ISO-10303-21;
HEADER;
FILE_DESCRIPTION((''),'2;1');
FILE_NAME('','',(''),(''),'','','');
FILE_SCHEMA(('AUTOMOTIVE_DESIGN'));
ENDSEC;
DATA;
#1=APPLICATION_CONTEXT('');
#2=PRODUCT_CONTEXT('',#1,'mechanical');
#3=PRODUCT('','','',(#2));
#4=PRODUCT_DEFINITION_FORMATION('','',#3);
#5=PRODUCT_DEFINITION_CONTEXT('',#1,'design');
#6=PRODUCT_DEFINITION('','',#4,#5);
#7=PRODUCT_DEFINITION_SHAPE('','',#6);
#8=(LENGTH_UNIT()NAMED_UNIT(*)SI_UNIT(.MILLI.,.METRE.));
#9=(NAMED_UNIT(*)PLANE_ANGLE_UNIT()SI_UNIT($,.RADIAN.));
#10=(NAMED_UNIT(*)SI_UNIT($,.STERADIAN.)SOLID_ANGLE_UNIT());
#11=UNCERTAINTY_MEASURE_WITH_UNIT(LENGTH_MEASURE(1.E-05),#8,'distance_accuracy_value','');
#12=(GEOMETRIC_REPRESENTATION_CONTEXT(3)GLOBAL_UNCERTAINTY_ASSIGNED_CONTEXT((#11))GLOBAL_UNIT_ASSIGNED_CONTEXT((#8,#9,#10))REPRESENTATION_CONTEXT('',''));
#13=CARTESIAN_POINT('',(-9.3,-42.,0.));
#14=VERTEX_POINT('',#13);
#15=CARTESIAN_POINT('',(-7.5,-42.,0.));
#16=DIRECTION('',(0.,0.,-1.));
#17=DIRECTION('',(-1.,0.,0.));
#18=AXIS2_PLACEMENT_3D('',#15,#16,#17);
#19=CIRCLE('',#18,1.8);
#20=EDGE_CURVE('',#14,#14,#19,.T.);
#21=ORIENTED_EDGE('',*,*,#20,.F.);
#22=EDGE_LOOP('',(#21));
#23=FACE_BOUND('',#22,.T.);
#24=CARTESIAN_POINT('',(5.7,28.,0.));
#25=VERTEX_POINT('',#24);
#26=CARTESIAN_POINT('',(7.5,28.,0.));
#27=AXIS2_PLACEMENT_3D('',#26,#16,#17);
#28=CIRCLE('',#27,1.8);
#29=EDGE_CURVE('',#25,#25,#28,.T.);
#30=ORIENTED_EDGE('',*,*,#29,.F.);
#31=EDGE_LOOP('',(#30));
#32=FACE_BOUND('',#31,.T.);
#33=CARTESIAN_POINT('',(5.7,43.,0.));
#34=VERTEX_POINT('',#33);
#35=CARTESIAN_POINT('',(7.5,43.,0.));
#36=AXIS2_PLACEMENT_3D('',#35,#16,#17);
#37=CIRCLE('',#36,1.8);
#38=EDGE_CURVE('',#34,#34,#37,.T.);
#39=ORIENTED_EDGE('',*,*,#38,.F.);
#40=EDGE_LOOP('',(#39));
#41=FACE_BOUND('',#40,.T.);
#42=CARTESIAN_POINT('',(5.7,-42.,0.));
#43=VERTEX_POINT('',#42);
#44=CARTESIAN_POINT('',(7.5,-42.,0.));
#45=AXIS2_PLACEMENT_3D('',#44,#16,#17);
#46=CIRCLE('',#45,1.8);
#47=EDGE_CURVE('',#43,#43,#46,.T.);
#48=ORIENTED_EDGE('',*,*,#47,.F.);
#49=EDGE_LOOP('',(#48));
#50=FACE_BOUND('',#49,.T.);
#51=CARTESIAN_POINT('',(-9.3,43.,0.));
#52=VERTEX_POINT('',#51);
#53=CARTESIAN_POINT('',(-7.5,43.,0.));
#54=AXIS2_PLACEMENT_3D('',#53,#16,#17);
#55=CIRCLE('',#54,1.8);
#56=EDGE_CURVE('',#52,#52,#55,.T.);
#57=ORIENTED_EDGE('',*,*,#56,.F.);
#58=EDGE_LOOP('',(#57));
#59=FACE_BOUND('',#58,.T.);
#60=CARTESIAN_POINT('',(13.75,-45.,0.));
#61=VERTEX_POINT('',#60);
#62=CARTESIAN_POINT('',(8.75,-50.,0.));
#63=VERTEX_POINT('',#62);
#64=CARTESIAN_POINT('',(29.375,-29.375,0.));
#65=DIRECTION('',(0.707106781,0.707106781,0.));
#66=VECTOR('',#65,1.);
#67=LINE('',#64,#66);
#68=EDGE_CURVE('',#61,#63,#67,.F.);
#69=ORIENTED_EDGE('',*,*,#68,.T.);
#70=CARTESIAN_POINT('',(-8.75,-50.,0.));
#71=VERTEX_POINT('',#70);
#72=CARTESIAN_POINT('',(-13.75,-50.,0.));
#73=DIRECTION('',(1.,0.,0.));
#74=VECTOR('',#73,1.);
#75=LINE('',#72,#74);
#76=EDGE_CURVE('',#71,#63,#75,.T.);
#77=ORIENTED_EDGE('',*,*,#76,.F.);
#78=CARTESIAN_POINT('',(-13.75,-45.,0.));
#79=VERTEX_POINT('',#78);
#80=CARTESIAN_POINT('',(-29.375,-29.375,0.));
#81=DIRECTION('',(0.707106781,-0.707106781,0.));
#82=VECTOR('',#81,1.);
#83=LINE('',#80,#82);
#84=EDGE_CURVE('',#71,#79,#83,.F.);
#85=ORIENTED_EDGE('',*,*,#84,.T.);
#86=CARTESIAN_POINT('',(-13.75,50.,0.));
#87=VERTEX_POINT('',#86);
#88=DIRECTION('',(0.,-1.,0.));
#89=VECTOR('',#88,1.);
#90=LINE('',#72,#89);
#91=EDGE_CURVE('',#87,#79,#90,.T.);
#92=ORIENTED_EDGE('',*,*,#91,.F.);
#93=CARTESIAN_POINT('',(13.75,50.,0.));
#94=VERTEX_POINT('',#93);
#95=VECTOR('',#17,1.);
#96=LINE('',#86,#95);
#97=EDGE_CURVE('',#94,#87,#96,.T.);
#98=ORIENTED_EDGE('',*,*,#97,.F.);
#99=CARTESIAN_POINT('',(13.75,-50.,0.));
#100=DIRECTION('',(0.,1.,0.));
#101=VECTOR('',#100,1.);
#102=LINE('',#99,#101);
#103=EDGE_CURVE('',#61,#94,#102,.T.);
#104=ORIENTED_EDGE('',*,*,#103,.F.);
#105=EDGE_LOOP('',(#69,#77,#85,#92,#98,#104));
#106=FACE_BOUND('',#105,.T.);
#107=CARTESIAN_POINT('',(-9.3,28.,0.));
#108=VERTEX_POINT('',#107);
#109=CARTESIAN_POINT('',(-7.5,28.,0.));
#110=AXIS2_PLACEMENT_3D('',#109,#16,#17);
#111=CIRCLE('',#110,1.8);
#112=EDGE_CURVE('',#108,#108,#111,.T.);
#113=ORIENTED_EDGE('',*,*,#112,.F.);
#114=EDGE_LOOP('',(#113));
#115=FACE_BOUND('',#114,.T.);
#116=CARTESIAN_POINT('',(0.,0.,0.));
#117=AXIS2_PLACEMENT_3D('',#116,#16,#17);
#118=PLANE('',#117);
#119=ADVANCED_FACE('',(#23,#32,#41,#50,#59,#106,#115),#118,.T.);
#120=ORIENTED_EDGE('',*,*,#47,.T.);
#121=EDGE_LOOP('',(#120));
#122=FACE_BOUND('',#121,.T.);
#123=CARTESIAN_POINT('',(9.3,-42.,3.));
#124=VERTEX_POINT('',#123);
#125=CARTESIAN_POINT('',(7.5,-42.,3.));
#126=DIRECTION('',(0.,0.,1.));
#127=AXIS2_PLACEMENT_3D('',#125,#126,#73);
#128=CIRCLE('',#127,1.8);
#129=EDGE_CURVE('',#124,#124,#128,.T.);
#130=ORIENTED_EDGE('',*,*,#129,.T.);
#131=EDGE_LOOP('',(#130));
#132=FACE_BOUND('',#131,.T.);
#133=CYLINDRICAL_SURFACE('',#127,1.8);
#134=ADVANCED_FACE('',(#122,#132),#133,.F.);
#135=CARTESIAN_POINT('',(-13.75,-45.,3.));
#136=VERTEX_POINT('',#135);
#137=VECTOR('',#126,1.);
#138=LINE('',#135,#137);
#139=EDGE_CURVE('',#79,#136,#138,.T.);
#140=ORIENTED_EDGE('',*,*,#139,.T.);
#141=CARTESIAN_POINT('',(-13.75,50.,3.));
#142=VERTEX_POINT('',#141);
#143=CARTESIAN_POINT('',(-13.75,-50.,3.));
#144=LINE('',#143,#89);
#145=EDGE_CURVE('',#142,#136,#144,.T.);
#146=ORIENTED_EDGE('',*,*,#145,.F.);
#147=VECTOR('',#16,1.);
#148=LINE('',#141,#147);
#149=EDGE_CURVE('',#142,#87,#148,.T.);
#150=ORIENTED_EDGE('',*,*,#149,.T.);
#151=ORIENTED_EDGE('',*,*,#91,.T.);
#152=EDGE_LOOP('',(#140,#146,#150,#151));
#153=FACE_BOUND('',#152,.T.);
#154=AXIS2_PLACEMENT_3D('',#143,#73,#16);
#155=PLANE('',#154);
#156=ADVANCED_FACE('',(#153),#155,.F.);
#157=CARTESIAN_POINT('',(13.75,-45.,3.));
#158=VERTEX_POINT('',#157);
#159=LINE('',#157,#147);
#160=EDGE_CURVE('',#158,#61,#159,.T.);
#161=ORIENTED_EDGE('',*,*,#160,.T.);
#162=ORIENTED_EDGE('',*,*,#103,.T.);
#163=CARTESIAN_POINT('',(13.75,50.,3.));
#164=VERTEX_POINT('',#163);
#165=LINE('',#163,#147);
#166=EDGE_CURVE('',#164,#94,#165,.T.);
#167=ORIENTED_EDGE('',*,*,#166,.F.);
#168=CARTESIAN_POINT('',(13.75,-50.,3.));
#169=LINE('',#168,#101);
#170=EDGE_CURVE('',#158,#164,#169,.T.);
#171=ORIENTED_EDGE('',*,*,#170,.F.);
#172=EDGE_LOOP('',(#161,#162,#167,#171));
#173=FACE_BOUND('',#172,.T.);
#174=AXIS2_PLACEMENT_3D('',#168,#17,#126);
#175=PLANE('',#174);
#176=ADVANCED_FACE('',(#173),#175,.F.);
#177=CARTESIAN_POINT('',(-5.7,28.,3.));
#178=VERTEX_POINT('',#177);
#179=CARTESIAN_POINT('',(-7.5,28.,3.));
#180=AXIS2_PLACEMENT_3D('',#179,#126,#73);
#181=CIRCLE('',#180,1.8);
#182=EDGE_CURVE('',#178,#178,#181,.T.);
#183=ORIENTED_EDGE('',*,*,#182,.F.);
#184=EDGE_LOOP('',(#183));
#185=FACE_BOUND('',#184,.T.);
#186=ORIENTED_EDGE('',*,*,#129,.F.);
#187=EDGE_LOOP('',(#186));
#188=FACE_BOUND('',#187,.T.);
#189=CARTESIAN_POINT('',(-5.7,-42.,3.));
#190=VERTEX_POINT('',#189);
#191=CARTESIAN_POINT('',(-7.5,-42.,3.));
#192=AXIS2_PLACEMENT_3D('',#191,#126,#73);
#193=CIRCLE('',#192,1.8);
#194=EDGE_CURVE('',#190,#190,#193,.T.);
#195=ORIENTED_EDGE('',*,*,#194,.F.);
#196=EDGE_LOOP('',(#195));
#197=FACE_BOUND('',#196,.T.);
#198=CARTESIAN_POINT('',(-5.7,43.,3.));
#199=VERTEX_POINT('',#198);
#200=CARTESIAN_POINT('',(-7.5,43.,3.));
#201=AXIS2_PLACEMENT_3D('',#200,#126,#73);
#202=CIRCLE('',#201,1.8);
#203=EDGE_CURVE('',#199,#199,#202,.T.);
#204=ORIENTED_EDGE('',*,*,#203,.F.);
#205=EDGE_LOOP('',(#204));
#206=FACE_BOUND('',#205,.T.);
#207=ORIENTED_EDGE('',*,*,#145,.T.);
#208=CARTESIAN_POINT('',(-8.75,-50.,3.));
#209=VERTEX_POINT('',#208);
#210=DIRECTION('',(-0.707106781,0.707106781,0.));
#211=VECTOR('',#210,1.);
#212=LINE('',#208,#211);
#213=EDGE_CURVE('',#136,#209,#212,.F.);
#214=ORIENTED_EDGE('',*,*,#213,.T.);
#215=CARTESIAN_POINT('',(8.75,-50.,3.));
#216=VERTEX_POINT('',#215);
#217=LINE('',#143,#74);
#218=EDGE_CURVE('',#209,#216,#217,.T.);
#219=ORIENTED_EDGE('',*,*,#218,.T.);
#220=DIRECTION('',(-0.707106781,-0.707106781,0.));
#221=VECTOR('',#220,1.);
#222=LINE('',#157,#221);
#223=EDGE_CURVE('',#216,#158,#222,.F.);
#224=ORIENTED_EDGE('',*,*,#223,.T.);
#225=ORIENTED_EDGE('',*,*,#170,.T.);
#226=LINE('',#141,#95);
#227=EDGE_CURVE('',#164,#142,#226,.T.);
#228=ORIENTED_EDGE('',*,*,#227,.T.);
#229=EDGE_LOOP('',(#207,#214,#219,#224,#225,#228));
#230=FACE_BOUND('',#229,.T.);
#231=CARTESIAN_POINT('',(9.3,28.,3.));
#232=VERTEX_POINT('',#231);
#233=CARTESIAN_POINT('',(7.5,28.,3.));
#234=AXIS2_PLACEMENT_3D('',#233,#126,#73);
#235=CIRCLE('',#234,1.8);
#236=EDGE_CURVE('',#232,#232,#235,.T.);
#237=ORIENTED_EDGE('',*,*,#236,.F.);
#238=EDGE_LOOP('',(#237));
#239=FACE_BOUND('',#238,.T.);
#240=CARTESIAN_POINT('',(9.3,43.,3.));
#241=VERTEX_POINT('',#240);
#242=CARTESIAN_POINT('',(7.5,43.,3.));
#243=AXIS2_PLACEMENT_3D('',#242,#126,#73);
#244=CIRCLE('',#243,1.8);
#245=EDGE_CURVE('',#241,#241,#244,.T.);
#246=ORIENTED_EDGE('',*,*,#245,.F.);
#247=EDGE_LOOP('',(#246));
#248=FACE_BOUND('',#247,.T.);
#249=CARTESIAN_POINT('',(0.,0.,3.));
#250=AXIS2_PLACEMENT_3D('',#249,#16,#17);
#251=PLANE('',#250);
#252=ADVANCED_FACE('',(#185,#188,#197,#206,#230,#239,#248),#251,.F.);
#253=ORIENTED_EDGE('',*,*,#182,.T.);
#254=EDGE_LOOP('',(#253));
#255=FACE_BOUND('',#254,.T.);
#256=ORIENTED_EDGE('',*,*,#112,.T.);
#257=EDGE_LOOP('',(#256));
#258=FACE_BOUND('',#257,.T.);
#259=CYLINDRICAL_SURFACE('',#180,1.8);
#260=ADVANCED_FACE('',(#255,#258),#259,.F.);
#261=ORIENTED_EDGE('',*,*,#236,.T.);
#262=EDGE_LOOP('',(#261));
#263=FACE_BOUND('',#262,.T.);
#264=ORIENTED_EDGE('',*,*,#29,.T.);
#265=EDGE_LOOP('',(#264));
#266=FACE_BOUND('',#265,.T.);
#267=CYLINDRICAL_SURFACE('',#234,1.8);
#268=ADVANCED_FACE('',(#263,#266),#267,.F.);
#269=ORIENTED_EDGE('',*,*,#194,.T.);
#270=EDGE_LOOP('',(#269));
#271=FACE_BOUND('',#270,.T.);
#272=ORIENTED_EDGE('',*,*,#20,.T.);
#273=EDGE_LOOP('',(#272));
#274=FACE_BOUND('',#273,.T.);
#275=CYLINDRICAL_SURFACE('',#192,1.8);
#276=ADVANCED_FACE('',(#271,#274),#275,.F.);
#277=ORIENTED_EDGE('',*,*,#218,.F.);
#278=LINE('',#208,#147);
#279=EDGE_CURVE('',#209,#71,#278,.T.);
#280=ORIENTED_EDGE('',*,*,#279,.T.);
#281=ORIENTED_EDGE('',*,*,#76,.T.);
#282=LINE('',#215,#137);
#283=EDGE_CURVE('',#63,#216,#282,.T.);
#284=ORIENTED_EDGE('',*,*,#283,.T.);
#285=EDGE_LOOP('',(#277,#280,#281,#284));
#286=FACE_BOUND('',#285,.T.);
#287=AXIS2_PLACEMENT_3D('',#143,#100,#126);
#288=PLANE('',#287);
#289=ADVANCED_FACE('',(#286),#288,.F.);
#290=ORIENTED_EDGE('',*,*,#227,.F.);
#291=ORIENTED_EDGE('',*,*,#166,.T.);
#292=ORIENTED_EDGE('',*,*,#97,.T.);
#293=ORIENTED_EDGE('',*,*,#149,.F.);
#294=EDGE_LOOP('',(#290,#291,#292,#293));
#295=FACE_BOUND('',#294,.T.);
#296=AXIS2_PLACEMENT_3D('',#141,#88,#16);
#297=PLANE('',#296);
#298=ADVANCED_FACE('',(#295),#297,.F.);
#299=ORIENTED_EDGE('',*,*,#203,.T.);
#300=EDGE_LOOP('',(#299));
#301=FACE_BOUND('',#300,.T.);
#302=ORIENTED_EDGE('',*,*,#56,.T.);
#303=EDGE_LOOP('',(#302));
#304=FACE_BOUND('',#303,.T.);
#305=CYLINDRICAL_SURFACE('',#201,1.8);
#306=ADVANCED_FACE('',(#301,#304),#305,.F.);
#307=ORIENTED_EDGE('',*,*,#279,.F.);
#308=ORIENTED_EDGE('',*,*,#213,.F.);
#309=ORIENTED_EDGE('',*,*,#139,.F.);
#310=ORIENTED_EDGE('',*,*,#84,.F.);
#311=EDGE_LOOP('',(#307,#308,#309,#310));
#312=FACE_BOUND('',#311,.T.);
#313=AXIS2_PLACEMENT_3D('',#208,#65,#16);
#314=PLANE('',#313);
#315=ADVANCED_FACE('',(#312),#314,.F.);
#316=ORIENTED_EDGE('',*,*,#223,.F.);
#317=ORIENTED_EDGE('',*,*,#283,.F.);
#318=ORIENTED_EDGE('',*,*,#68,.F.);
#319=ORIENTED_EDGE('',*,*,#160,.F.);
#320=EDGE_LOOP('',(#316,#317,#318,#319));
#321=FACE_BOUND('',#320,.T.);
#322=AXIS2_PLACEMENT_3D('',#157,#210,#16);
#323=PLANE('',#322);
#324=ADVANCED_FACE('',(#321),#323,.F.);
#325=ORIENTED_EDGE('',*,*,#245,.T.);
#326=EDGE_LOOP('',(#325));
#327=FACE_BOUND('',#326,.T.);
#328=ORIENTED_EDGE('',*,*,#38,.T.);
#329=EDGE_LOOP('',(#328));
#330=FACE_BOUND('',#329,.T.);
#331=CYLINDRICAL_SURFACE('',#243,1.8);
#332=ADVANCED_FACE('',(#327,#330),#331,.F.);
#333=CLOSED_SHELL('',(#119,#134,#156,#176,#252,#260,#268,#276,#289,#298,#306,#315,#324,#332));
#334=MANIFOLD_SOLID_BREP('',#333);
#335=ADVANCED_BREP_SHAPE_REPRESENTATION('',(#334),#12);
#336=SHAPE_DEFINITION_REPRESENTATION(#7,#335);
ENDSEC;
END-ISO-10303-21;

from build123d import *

# Parameters (mm, degrees)
SKETCH1_W                = 27.5
SKETCH1_H                = 100
BOSS_EXTRUDE1_DEPTH      = 3
M3_CLEARANCE_HOLE1_D     = 3.6
M3_CLEARANCE_HOLE1_DEPTH = 30
M3_CLEARANCE_HOLE1_TIP   = 1.081549114
CHAMFER1_SIZE            = 5


with BuildPart() as part:
    # Sketch1 → Boss-Extrude1 (new body)
    with BuildSketch(Plane.XY):
        Rectangle(SKETCH1_W, SKETCH1_H)
    extrude(amount=BOSS_EXTRUDE1_DEPTH)

    # M3 Clearance Hole1
    with Locations(Plane.XY.offset(3)):
        with Locations((-7.5, 43), (7.5, 43), (7.5, 28), (-7.5, 28), (-7.5, -42), (7.5, -42)):
            Hole(M3_CLEARANCE_HOLE1_D / 2, depth=M3_CLEARANCE_HOLE1_DEPTH)
            with Locations((0, 0, -(M3_CLEARANCE_HOLE1_DEPTH + M3_CLEARANCE_HOLE1_TIP / 2))):  # 118° drill point
                Cone(0, M3_CLEARANCE_HOLE1_D / 2, M3_CLEARANCE_HOLE1_TIP, mode=Mode.SUBTRACT)

    # Chamfer1
    chamfer1_edges = [part.edges().sort_by_distance(p)[0] for p in [
        (13.75, -50, 1.5),
        (-13.75, -50, 1.5),
    ]]
    chamfer(chamfer1_edges, length=CHAMFER1_SIZE)


solid = part.part
